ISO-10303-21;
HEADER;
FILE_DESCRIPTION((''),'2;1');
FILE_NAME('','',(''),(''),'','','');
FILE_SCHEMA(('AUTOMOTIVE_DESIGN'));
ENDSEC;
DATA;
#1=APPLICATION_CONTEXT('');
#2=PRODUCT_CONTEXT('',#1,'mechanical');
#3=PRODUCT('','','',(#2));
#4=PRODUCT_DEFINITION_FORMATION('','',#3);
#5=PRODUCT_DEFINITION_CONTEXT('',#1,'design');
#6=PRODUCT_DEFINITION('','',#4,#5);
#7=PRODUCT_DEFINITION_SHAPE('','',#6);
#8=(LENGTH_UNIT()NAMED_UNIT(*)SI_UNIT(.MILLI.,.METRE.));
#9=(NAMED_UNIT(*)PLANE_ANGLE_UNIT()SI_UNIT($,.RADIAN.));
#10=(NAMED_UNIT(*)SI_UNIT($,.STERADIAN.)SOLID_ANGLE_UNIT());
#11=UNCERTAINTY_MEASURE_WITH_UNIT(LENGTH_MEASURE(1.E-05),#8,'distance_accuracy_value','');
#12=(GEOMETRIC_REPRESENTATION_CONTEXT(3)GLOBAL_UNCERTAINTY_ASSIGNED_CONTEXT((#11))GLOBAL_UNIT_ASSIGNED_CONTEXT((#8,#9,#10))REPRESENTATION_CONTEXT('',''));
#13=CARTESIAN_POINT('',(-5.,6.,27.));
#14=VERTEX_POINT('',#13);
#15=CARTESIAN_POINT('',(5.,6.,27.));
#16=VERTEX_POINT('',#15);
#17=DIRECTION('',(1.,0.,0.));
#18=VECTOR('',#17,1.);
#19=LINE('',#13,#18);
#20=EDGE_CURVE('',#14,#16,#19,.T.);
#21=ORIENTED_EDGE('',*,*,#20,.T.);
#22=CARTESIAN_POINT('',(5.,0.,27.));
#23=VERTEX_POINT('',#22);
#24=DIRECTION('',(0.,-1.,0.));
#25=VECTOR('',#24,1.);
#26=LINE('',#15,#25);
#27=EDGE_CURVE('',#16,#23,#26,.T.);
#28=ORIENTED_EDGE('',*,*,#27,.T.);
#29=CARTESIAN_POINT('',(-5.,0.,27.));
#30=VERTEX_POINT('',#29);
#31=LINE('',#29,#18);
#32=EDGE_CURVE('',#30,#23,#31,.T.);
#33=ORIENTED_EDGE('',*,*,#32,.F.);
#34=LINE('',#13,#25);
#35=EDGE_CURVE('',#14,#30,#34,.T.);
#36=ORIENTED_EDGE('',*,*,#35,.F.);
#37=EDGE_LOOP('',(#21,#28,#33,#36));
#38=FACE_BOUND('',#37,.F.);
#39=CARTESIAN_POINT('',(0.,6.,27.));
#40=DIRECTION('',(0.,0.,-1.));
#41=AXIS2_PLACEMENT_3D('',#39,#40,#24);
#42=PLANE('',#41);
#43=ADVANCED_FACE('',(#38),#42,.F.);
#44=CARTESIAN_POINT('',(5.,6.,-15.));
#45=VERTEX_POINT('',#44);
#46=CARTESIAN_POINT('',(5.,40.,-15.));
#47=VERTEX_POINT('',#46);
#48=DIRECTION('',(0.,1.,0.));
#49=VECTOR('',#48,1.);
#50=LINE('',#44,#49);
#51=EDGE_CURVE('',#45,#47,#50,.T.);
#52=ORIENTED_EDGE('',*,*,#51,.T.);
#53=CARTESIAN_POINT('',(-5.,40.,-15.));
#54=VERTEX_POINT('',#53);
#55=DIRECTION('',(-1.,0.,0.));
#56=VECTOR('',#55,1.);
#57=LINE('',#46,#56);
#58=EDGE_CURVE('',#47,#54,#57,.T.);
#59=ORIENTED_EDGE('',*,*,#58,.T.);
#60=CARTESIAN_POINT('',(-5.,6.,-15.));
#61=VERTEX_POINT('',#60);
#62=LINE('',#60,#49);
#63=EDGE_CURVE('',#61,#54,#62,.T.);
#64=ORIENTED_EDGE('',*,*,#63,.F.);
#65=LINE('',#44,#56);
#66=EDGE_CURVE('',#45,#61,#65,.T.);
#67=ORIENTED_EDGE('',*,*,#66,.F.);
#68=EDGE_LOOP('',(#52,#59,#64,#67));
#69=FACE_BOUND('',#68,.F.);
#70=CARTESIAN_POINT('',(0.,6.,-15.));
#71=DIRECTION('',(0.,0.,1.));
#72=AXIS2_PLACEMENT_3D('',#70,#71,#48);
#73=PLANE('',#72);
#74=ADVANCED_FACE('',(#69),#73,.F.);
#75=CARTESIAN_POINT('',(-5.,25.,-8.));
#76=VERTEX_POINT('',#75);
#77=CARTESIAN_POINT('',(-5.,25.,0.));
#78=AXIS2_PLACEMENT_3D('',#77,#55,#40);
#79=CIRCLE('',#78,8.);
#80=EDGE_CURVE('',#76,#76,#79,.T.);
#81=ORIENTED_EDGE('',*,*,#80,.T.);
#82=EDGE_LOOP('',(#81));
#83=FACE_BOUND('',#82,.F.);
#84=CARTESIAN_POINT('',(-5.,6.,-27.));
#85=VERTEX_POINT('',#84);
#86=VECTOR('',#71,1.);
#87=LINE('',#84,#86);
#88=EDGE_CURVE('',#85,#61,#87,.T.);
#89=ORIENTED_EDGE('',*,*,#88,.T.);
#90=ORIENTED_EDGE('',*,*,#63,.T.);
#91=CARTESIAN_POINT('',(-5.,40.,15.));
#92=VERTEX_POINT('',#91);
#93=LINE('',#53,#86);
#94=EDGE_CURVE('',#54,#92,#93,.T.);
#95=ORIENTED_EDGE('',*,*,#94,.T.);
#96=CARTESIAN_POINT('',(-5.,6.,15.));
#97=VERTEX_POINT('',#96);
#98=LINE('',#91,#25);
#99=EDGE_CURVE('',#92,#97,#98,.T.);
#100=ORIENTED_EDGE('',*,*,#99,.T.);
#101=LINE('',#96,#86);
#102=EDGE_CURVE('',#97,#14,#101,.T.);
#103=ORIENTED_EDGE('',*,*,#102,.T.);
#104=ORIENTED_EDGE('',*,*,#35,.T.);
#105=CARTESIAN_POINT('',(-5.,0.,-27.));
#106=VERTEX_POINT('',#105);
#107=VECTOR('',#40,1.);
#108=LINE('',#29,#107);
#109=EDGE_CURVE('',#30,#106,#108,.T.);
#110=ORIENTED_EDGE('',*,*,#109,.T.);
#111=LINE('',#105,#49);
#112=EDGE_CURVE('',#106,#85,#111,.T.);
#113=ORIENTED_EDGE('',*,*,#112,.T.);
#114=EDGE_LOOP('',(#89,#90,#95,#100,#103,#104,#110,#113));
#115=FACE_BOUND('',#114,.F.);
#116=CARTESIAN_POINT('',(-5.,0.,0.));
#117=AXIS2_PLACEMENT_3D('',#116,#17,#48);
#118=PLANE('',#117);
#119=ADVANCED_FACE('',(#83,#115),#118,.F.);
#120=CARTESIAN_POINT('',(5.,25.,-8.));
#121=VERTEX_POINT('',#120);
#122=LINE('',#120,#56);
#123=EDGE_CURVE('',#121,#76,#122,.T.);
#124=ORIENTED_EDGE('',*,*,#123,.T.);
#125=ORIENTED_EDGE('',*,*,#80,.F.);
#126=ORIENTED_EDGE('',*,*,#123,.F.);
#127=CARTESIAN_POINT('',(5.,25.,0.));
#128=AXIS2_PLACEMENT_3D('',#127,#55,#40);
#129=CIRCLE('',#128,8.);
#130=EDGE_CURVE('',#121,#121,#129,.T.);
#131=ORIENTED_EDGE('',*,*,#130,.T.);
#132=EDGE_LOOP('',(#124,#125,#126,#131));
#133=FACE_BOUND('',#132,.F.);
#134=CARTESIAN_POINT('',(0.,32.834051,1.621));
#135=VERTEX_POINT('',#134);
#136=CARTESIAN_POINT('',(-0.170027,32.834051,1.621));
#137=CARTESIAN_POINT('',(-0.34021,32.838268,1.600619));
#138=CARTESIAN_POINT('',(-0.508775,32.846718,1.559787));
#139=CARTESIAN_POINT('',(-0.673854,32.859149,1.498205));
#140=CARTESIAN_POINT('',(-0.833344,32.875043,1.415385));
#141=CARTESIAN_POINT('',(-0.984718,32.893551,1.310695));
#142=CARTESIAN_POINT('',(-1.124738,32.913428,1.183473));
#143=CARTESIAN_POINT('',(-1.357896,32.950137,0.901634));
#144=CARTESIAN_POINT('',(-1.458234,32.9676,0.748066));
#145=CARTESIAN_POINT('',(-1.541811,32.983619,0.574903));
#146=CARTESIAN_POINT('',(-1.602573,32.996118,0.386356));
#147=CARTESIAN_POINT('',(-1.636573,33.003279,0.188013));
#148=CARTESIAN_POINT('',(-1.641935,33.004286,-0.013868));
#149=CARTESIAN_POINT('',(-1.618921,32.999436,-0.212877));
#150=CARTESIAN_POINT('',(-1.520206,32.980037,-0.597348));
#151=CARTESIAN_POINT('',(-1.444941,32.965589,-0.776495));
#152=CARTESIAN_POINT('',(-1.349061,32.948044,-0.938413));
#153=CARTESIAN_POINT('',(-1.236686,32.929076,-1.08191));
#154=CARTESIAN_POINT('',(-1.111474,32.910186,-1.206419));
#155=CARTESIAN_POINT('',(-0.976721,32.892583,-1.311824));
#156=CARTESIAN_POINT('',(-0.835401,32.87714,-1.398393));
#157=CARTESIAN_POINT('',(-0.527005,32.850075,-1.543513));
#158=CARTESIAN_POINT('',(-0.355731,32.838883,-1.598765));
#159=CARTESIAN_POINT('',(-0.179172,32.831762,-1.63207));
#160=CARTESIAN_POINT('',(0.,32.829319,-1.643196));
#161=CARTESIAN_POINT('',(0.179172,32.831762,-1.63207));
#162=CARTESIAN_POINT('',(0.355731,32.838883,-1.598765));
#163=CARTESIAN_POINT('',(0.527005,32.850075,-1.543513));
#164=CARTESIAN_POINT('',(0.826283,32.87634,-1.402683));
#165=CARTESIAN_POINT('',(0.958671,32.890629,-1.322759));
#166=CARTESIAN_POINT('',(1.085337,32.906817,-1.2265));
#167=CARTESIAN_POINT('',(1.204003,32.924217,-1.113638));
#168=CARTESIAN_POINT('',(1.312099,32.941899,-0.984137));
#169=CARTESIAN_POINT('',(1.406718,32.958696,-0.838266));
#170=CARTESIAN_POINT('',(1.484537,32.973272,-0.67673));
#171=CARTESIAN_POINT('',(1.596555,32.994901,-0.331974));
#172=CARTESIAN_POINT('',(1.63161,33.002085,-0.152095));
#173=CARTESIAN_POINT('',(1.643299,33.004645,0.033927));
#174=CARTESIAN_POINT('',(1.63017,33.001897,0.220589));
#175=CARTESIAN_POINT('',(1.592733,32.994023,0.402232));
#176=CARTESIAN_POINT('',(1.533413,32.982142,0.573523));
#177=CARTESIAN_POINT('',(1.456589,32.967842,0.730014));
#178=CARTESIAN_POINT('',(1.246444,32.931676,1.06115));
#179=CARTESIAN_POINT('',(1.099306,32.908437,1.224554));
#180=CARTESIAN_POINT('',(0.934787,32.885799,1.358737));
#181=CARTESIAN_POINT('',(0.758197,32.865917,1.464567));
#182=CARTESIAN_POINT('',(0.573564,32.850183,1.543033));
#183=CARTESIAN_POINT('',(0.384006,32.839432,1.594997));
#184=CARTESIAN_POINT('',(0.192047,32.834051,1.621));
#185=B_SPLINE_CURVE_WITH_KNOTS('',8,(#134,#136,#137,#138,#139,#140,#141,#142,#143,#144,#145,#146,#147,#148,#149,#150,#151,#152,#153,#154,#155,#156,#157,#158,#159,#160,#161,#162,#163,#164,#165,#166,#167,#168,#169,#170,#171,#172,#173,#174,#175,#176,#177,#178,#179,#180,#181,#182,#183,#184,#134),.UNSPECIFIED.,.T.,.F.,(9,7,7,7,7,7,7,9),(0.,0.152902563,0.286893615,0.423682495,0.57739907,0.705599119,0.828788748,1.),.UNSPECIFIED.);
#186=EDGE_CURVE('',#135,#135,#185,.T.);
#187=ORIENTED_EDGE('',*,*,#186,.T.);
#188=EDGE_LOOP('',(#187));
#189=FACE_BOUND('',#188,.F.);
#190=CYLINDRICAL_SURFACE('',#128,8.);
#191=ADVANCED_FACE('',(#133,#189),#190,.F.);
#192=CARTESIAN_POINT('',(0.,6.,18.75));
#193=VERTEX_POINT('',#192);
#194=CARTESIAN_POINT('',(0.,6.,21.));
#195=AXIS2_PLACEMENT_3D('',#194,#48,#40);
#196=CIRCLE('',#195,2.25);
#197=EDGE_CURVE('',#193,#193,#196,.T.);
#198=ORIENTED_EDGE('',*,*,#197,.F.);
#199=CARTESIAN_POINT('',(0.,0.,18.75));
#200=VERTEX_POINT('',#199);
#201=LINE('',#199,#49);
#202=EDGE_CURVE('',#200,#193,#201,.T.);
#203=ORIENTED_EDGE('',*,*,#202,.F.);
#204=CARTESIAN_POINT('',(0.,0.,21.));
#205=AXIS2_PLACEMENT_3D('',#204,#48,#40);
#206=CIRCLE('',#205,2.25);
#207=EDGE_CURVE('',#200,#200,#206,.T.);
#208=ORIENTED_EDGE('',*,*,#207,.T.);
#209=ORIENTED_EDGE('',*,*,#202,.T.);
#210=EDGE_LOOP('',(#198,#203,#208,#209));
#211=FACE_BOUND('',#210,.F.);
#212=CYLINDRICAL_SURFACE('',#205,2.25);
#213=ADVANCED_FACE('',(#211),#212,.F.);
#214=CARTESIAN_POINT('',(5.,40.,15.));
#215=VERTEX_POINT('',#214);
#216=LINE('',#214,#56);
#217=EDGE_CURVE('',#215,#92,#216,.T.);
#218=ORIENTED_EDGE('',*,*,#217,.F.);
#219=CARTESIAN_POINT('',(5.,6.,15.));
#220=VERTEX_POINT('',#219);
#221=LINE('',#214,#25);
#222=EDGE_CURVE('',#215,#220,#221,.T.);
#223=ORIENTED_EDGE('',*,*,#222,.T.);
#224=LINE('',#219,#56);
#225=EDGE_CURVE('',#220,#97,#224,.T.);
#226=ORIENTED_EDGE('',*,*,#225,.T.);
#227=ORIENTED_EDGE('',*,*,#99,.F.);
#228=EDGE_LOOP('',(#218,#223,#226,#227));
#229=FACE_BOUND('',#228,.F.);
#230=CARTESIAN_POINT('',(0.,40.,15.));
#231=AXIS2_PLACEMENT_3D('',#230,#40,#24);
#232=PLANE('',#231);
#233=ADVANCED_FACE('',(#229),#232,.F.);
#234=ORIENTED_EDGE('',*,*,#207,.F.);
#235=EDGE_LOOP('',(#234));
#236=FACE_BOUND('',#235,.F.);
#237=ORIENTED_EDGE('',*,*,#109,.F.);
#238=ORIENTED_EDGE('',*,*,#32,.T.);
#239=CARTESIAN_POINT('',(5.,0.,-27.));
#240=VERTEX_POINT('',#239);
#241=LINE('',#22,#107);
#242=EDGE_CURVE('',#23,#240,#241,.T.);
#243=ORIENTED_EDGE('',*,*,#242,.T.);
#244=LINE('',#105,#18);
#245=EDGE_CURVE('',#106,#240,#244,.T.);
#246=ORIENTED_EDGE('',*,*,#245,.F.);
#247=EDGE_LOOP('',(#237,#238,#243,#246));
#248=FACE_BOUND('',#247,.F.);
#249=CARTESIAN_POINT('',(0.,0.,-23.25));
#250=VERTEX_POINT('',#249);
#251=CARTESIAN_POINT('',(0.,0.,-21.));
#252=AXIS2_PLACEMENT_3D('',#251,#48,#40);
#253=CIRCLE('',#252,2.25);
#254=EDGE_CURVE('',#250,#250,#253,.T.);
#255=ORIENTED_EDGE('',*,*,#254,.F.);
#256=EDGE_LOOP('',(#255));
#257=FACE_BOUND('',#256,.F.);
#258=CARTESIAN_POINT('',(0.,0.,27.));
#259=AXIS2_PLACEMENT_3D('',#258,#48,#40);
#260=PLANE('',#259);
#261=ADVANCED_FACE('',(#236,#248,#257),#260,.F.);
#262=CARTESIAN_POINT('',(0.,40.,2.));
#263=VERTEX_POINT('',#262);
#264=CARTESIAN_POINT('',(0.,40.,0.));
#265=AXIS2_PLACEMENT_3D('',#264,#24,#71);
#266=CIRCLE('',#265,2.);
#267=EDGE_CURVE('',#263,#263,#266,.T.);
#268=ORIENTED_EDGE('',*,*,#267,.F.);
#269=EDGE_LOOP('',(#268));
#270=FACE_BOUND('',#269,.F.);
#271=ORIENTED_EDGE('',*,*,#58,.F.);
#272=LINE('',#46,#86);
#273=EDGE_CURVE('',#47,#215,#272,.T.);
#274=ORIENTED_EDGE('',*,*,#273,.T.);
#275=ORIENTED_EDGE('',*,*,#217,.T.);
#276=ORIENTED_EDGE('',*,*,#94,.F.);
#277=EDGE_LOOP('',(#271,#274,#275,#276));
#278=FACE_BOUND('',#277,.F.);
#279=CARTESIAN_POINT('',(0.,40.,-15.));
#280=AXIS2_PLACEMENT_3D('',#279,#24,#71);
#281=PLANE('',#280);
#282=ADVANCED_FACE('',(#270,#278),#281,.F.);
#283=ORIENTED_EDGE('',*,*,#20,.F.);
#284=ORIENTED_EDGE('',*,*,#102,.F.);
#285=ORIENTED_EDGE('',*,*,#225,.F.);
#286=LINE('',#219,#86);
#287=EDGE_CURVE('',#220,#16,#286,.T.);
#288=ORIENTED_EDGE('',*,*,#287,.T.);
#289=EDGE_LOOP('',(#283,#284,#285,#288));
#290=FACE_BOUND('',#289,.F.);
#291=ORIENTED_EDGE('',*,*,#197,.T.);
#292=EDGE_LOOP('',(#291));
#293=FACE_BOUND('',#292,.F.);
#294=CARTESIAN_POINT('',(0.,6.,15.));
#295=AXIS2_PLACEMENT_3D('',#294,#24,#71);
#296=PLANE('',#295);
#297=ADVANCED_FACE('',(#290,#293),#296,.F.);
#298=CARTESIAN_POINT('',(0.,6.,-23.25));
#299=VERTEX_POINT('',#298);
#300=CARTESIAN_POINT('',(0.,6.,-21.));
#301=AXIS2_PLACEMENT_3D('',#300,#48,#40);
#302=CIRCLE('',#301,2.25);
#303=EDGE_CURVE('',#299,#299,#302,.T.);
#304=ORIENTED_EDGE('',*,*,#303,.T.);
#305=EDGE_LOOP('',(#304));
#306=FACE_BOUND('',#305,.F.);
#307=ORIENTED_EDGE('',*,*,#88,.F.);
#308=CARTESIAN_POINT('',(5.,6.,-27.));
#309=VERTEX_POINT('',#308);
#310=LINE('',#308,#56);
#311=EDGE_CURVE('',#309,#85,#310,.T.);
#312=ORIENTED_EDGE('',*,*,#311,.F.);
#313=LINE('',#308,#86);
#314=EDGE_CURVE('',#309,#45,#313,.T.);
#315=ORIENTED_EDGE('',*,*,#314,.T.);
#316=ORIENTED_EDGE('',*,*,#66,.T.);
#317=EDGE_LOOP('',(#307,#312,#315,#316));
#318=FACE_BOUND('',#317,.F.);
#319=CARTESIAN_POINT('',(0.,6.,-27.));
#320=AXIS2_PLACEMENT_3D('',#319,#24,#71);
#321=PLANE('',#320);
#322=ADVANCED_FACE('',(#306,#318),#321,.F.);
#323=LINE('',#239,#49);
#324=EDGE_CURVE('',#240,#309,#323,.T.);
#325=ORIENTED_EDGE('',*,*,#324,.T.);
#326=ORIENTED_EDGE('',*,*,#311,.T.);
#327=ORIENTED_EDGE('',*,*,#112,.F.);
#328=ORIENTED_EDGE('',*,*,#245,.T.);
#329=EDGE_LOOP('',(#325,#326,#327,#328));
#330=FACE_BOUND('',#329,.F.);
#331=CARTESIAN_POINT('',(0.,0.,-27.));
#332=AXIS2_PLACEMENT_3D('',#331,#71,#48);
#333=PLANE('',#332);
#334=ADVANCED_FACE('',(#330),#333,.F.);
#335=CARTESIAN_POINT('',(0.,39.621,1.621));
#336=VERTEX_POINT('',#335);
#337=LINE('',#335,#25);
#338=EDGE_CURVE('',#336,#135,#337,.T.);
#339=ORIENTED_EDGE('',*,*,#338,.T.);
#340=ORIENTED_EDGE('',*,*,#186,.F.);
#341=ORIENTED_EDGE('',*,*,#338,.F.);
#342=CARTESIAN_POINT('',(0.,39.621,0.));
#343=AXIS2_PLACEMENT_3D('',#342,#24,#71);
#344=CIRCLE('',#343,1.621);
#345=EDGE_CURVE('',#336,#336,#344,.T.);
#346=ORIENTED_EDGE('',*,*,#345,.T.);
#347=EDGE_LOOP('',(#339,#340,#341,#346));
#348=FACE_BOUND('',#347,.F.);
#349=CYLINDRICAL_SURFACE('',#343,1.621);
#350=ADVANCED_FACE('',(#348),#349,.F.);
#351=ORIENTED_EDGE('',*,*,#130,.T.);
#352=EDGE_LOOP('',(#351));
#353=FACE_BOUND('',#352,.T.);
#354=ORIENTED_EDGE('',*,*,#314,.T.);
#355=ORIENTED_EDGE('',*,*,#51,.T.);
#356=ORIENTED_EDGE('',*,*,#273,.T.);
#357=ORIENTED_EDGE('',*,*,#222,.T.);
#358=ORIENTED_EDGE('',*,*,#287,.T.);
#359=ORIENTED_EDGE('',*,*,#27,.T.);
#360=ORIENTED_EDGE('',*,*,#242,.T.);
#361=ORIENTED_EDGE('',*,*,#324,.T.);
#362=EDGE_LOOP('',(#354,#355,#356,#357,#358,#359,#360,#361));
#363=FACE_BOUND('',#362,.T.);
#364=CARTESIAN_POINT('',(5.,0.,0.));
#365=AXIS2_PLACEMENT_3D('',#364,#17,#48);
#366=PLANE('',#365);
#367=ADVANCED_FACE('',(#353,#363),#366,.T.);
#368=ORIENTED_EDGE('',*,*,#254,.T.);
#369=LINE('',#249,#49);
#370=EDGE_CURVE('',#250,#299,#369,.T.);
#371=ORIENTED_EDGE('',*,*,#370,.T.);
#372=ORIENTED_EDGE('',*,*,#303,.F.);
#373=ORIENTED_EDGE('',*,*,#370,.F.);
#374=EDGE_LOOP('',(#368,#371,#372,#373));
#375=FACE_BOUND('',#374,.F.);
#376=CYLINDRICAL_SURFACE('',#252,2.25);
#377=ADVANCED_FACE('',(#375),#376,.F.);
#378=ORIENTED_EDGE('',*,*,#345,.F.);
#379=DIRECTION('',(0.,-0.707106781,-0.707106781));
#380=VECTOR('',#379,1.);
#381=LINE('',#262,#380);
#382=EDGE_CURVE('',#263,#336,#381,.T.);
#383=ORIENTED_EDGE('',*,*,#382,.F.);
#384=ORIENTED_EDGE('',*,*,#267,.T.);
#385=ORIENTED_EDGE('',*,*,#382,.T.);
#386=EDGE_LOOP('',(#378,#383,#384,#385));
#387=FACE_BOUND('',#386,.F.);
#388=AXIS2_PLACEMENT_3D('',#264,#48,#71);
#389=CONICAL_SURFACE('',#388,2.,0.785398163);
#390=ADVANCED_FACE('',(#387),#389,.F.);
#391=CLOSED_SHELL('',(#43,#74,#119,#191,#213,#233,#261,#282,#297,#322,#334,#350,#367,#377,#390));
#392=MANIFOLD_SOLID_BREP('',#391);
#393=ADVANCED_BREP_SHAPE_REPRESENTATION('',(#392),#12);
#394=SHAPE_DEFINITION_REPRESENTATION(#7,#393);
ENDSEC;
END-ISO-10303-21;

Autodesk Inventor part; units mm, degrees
sketch "Sketch_1" plane through (0, 0, 0) normal (1, 0, 0) x (0, 1, 0)
  line L0 (6, 27) -> (0, 27)
  line L1 (0, 27) -> (0, -27)
  line L2 (0, -27) -> (6, -27)
  line L3 (6, -27) -> (6, -15)
  line L4 (6, -15) -> (40, -15)
  line L5 (40, -15) -> (40, 15)
  line L6 (40, 15) -> (6, 15)
  line L7 (6, 15) -> (6, 27)
extrude "Extrusion1" add sketch "Sketch_1" along normal mid plane 10
sketch "Sketch2" plane through (-5, 40, 15) normal (0, 1, 0) x (1, 0, 0)
  point P0 (5, 15)
hole "Hole1" at (0, 40, 0) direction (0, -1, 0) diameter 3.242 depth 14.0641 tip angle 120 countersink diameter 4 countersink angle 90 thread size "M4x0.7" class "6H" standard "ISO Metric profile"
sketch "Sketch3" plane through (-5, 0, -27) normal (0, -1, 0) x (1, 0, 0)
  point P0 (5, 6)
hole "Hole2" at (0, 0, -21) direction (0, 1, 0) diameter 4.5 depth 6
pattern_linear "Rectangular Pattern1" count 2 spacing 42 along (0, 0, 1) of "Hole2"
sketch "Sketch4" plane through (5, 0, 0) normal (1, 0, 0) x (0, 0, -1)
  point P0 (0, 25)
hole "Hole3" at (5, 25, 0) direction (-1, 0, 0) diameter 16 depth 10
ref_plane "b_s_XY" through (0, 33, 0) normal (0, 1, 0) x (1, 0, 0)
ref_plane "b_s_YZ" through (0, 33, 0) normal (1, 0, 0) x (0, 0, -1)
ref_plane "b_s_ZX" through (0, 33, 0) normal (0, 0, -1) x (0, 1, 0)
properties part number "SHTA16-25_b"
